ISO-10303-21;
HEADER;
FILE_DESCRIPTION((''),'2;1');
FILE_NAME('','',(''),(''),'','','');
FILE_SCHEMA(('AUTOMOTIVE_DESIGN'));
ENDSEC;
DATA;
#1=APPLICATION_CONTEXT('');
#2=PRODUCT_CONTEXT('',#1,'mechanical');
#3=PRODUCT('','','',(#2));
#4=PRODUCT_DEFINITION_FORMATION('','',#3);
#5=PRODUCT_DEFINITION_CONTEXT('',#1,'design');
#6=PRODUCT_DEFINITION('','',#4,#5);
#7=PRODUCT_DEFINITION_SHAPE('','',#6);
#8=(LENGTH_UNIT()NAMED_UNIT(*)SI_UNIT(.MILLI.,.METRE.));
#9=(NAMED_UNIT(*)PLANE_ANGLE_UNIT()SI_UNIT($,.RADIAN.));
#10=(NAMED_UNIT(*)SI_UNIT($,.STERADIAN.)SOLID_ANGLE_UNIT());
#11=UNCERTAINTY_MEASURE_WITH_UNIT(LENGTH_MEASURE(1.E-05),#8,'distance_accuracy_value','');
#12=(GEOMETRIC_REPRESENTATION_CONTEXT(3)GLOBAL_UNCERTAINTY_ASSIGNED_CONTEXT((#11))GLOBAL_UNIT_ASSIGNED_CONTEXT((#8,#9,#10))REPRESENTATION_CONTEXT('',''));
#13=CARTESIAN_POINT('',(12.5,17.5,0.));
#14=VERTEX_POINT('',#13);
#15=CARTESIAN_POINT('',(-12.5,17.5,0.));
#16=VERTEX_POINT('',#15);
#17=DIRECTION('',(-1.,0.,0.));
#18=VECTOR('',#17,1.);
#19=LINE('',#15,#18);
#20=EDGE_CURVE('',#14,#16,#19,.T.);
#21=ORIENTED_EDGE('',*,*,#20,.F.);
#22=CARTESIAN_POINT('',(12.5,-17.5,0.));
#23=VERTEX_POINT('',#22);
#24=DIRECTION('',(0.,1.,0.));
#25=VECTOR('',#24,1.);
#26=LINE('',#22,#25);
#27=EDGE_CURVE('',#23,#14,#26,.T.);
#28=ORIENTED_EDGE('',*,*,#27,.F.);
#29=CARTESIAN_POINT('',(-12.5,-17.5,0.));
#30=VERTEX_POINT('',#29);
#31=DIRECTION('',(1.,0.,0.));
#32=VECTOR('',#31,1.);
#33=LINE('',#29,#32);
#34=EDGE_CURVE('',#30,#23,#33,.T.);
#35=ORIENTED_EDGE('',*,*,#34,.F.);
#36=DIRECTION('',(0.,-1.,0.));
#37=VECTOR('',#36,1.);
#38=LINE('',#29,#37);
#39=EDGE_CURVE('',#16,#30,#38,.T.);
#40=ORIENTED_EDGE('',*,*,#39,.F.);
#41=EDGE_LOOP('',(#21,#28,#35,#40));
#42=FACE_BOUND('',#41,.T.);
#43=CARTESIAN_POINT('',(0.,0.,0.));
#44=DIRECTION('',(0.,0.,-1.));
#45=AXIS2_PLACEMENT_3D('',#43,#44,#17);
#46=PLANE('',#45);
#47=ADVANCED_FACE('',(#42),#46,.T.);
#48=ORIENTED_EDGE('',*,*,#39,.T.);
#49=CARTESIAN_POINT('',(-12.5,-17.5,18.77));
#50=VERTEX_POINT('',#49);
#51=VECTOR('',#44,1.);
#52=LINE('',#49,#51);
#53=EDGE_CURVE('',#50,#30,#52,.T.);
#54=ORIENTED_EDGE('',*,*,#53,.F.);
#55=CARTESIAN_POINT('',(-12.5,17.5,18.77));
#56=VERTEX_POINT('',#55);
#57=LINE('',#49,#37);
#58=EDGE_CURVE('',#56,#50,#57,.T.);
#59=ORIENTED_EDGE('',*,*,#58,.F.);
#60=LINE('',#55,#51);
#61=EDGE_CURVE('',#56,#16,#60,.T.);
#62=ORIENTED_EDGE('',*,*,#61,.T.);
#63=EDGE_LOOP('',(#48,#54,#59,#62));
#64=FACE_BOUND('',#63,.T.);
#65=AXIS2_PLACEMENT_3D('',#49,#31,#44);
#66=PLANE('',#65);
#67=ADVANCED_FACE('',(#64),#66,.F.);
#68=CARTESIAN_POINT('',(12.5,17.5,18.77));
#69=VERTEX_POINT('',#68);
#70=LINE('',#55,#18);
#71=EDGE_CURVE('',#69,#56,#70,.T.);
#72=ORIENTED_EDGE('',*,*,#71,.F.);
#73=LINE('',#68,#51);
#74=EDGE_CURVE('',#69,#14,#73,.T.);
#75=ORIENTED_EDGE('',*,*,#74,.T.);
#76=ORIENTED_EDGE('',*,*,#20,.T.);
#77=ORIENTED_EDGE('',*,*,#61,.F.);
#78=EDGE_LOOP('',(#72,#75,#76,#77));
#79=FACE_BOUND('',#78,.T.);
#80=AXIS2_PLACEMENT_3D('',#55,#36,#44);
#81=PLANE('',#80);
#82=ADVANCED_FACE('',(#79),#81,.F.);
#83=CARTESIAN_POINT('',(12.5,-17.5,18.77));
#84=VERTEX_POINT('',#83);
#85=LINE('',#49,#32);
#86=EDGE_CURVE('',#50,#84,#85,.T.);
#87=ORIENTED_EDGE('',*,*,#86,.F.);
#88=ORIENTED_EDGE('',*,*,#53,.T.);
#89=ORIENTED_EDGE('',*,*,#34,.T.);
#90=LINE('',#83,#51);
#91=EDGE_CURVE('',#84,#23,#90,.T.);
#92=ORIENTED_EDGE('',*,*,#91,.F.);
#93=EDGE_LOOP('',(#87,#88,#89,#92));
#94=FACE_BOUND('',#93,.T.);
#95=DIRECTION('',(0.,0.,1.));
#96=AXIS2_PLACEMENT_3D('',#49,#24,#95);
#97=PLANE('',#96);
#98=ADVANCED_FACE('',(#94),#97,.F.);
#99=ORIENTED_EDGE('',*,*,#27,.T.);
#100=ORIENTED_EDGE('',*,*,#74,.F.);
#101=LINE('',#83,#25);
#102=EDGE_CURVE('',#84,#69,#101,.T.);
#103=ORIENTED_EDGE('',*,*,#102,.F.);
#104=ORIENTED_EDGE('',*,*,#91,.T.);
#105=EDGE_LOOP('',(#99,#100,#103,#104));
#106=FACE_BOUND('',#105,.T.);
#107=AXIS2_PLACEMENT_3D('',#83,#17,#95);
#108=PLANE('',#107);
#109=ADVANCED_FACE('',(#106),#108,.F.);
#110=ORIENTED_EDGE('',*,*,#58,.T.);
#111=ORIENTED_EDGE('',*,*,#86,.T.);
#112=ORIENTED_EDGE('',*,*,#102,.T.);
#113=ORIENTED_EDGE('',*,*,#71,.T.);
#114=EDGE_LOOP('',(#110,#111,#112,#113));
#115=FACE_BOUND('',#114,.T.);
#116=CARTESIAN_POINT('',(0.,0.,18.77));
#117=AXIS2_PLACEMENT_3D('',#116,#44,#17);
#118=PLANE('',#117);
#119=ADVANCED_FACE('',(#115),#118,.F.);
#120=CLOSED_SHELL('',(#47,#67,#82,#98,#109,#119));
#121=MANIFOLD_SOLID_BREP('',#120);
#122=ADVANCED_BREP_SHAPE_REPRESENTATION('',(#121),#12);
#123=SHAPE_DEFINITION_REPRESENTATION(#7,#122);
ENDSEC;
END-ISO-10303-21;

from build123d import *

# Parameters (mm, degrees)
SKETCH_1_W      = 25
SKETCH_1_H      = 35
EXTRUDE_1_DEPTH = 18.77


with BuildPart() as part:
    # 草图1 → 凸台-拉伸1 (new body)
    with BuildSketch(Plane.XY):
        Rectangle(SKETCH_1_W, SKETCH_1_H)
    extrude(amount=EXTRUDE_1_DEPTH)


solid = part.part
